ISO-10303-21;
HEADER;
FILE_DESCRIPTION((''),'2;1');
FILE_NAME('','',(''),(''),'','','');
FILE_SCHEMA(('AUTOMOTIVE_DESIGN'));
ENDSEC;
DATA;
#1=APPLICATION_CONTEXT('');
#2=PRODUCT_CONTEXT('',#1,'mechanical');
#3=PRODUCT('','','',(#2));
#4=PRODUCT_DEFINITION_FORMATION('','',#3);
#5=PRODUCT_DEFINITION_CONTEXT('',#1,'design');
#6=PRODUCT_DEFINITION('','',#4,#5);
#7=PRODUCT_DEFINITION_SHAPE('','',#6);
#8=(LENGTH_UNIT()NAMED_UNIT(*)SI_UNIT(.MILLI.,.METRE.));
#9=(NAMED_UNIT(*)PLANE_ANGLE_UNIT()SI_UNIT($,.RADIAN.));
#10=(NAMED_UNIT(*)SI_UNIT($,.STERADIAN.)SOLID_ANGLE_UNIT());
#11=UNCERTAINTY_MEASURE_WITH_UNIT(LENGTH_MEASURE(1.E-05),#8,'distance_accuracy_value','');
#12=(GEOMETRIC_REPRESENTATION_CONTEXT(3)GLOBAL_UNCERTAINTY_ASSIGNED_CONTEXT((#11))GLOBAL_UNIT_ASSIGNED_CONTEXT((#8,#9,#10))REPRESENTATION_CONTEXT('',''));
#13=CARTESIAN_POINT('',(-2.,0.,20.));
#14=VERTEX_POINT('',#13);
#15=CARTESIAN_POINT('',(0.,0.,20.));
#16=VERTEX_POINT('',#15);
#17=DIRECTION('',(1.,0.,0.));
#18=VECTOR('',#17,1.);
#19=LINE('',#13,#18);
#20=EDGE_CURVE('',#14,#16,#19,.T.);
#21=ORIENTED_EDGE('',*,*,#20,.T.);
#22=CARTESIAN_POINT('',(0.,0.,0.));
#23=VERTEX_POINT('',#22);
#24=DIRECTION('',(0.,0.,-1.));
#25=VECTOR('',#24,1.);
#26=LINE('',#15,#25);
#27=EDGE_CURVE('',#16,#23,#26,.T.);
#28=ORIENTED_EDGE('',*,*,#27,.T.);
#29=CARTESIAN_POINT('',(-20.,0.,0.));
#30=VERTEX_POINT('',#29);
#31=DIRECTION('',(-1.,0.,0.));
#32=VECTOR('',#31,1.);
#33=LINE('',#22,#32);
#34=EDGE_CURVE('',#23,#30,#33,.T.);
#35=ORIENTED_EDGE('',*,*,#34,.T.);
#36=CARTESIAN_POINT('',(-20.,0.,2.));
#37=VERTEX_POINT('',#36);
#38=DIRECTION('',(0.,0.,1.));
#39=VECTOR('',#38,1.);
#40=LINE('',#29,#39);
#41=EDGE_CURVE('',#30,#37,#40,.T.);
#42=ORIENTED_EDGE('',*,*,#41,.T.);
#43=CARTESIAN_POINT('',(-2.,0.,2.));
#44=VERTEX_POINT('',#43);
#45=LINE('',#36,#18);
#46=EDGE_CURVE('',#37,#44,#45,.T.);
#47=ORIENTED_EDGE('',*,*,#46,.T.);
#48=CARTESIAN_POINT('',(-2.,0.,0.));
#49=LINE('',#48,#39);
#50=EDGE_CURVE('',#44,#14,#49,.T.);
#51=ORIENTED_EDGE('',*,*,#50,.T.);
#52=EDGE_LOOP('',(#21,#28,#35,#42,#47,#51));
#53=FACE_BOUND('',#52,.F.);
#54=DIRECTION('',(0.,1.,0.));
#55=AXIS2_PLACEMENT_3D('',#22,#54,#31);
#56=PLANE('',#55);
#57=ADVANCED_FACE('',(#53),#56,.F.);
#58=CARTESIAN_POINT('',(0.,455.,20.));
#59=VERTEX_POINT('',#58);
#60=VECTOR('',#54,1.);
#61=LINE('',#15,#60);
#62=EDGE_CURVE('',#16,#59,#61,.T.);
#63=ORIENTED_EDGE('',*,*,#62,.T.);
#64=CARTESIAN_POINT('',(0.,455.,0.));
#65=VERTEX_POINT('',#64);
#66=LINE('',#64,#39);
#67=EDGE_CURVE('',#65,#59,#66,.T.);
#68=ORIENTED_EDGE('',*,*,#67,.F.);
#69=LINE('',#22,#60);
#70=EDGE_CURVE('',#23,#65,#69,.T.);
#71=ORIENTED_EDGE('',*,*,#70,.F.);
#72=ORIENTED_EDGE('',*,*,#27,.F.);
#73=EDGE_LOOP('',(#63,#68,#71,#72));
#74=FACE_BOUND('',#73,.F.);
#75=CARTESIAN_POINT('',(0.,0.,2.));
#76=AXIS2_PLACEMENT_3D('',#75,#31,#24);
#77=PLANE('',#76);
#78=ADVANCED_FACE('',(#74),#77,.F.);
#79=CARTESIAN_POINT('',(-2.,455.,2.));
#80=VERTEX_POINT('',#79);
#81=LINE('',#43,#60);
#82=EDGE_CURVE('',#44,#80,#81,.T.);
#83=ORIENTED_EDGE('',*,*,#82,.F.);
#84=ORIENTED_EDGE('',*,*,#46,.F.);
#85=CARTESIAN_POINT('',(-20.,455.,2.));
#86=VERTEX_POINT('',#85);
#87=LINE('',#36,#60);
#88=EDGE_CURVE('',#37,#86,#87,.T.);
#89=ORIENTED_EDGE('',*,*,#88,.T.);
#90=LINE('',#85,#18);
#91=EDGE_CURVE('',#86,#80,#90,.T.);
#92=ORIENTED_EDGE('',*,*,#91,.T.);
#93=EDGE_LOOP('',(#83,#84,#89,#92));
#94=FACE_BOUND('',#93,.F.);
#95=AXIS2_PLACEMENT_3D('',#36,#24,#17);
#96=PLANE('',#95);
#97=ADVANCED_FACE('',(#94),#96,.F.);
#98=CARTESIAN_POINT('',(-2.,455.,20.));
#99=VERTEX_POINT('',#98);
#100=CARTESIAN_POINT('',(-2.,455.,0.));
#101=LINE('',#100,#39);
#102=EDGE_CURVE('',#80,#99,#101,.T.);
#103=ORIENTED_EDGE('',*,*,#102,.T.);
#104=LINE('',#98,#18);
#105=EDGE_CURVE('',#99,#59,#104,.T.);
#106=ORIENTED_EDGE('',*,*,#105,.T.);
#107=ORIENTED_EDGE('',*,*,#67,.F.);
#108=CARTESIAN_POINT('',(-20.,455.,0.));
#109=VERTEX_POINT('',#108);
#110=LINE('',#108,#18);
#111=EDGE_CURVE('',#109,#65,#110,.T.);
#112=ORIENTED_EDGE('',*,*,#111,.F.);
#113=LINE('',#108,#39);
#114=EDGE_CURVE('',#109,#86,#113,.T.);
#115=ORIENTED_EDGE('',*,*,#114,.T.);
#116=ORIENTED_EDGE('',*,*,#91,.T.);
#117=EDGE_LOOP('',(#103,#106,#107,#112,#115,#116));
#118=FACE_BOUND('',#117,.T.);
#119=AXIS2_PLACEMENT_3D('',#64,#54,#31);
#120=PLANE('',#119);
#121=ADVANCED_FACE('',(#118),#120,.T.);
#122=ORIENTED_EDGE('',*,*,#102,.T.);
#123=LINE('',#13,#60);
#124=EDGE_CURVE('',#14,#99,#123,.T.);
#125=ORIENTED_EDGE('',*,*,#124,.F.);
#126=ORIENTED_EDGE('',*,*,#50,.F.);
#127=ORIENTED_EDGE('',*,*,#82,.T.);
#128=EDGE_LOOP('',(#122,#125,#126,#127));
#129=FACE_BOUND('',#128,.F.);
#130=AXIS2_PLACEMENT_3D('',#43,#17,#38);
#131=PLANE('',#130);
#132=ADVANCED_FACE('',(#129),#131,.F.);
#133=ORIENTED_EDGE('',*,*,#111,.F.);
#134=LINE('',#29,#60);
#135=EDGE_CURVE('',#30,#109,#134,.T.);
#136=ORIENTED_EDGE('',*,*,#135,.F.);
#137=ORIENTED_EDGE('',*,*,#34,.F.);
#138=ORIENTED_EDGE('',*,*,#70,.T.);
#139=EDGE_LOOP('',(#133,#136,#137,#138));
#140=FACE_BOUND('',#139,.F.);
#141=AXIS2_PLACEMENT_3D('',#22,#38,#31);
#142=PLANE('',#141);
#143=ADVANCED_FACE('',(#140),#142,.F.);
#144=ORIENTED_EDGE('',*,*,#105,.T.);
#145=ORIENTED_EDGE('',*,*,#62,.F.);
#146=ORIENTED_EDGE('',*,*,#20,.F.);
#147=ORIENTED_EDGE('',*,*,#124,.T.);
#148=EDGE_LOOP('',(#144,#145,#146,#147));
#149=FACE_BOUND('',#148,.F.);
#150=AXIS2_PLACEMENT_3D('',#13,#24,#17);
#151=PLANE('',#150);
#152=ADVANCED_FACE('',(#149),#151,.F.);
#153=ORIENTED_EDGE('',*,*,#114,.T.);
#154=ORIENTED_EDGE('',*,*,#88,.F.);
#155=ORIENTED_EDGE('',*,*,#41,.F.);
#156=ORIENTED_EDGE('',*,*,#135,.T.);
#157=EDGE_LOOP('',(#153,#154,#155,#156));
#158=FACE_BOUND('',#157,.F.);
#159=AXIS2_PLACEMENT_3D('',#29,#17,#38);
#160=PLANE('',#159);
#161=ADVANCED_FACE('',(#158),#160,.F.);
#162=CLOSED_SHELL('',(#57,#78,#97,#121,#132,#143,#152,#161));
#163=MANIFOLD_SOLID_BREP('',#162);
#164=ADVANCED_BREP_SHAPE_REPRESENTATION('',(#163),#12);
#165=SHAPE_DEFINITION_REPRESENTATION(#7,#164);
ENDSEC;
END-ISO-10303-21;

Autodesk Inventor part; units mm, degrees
ref_plane "YZ Plane" through (0, 0, 0) normal (1, 0, 0) x (0, 1, 0)
ref_plane "XZ Plane" through (0, 0, 0) normal (0, 1, 0) x (-1, 0, 0)
ref_plane "XY Plane" through (0, 0, 0) normal (0, 0, 1) x (1, 0, 0)
sketch "Sketch1" plane through (0, 0, 0) normal (0, 1, 0) x (-1, 0, 0)
  line L0 (0, 0) -> (20, 0)
  line L1 (20, 0) -> (20, 2)
  line L2 (20, 2) -> (0, 2)
  line L3 (0, 2) -> (0, 0)
  line L4 (0, 0) -> (2, 0)
  line L5 (2, 0) -> (2, 20)
  line L6 (2, 20) -> (0, 20)
  line L7 (0, 20) -> (0, 0)
  dimension "d0" = 20
  dimension "d1" = 2
  dimension "d2" = 2
  dimension "d3" = 20
extrude "Extrusion1" add sketch "Sketch1" along normal blind 455
properties part number "L Rail"
